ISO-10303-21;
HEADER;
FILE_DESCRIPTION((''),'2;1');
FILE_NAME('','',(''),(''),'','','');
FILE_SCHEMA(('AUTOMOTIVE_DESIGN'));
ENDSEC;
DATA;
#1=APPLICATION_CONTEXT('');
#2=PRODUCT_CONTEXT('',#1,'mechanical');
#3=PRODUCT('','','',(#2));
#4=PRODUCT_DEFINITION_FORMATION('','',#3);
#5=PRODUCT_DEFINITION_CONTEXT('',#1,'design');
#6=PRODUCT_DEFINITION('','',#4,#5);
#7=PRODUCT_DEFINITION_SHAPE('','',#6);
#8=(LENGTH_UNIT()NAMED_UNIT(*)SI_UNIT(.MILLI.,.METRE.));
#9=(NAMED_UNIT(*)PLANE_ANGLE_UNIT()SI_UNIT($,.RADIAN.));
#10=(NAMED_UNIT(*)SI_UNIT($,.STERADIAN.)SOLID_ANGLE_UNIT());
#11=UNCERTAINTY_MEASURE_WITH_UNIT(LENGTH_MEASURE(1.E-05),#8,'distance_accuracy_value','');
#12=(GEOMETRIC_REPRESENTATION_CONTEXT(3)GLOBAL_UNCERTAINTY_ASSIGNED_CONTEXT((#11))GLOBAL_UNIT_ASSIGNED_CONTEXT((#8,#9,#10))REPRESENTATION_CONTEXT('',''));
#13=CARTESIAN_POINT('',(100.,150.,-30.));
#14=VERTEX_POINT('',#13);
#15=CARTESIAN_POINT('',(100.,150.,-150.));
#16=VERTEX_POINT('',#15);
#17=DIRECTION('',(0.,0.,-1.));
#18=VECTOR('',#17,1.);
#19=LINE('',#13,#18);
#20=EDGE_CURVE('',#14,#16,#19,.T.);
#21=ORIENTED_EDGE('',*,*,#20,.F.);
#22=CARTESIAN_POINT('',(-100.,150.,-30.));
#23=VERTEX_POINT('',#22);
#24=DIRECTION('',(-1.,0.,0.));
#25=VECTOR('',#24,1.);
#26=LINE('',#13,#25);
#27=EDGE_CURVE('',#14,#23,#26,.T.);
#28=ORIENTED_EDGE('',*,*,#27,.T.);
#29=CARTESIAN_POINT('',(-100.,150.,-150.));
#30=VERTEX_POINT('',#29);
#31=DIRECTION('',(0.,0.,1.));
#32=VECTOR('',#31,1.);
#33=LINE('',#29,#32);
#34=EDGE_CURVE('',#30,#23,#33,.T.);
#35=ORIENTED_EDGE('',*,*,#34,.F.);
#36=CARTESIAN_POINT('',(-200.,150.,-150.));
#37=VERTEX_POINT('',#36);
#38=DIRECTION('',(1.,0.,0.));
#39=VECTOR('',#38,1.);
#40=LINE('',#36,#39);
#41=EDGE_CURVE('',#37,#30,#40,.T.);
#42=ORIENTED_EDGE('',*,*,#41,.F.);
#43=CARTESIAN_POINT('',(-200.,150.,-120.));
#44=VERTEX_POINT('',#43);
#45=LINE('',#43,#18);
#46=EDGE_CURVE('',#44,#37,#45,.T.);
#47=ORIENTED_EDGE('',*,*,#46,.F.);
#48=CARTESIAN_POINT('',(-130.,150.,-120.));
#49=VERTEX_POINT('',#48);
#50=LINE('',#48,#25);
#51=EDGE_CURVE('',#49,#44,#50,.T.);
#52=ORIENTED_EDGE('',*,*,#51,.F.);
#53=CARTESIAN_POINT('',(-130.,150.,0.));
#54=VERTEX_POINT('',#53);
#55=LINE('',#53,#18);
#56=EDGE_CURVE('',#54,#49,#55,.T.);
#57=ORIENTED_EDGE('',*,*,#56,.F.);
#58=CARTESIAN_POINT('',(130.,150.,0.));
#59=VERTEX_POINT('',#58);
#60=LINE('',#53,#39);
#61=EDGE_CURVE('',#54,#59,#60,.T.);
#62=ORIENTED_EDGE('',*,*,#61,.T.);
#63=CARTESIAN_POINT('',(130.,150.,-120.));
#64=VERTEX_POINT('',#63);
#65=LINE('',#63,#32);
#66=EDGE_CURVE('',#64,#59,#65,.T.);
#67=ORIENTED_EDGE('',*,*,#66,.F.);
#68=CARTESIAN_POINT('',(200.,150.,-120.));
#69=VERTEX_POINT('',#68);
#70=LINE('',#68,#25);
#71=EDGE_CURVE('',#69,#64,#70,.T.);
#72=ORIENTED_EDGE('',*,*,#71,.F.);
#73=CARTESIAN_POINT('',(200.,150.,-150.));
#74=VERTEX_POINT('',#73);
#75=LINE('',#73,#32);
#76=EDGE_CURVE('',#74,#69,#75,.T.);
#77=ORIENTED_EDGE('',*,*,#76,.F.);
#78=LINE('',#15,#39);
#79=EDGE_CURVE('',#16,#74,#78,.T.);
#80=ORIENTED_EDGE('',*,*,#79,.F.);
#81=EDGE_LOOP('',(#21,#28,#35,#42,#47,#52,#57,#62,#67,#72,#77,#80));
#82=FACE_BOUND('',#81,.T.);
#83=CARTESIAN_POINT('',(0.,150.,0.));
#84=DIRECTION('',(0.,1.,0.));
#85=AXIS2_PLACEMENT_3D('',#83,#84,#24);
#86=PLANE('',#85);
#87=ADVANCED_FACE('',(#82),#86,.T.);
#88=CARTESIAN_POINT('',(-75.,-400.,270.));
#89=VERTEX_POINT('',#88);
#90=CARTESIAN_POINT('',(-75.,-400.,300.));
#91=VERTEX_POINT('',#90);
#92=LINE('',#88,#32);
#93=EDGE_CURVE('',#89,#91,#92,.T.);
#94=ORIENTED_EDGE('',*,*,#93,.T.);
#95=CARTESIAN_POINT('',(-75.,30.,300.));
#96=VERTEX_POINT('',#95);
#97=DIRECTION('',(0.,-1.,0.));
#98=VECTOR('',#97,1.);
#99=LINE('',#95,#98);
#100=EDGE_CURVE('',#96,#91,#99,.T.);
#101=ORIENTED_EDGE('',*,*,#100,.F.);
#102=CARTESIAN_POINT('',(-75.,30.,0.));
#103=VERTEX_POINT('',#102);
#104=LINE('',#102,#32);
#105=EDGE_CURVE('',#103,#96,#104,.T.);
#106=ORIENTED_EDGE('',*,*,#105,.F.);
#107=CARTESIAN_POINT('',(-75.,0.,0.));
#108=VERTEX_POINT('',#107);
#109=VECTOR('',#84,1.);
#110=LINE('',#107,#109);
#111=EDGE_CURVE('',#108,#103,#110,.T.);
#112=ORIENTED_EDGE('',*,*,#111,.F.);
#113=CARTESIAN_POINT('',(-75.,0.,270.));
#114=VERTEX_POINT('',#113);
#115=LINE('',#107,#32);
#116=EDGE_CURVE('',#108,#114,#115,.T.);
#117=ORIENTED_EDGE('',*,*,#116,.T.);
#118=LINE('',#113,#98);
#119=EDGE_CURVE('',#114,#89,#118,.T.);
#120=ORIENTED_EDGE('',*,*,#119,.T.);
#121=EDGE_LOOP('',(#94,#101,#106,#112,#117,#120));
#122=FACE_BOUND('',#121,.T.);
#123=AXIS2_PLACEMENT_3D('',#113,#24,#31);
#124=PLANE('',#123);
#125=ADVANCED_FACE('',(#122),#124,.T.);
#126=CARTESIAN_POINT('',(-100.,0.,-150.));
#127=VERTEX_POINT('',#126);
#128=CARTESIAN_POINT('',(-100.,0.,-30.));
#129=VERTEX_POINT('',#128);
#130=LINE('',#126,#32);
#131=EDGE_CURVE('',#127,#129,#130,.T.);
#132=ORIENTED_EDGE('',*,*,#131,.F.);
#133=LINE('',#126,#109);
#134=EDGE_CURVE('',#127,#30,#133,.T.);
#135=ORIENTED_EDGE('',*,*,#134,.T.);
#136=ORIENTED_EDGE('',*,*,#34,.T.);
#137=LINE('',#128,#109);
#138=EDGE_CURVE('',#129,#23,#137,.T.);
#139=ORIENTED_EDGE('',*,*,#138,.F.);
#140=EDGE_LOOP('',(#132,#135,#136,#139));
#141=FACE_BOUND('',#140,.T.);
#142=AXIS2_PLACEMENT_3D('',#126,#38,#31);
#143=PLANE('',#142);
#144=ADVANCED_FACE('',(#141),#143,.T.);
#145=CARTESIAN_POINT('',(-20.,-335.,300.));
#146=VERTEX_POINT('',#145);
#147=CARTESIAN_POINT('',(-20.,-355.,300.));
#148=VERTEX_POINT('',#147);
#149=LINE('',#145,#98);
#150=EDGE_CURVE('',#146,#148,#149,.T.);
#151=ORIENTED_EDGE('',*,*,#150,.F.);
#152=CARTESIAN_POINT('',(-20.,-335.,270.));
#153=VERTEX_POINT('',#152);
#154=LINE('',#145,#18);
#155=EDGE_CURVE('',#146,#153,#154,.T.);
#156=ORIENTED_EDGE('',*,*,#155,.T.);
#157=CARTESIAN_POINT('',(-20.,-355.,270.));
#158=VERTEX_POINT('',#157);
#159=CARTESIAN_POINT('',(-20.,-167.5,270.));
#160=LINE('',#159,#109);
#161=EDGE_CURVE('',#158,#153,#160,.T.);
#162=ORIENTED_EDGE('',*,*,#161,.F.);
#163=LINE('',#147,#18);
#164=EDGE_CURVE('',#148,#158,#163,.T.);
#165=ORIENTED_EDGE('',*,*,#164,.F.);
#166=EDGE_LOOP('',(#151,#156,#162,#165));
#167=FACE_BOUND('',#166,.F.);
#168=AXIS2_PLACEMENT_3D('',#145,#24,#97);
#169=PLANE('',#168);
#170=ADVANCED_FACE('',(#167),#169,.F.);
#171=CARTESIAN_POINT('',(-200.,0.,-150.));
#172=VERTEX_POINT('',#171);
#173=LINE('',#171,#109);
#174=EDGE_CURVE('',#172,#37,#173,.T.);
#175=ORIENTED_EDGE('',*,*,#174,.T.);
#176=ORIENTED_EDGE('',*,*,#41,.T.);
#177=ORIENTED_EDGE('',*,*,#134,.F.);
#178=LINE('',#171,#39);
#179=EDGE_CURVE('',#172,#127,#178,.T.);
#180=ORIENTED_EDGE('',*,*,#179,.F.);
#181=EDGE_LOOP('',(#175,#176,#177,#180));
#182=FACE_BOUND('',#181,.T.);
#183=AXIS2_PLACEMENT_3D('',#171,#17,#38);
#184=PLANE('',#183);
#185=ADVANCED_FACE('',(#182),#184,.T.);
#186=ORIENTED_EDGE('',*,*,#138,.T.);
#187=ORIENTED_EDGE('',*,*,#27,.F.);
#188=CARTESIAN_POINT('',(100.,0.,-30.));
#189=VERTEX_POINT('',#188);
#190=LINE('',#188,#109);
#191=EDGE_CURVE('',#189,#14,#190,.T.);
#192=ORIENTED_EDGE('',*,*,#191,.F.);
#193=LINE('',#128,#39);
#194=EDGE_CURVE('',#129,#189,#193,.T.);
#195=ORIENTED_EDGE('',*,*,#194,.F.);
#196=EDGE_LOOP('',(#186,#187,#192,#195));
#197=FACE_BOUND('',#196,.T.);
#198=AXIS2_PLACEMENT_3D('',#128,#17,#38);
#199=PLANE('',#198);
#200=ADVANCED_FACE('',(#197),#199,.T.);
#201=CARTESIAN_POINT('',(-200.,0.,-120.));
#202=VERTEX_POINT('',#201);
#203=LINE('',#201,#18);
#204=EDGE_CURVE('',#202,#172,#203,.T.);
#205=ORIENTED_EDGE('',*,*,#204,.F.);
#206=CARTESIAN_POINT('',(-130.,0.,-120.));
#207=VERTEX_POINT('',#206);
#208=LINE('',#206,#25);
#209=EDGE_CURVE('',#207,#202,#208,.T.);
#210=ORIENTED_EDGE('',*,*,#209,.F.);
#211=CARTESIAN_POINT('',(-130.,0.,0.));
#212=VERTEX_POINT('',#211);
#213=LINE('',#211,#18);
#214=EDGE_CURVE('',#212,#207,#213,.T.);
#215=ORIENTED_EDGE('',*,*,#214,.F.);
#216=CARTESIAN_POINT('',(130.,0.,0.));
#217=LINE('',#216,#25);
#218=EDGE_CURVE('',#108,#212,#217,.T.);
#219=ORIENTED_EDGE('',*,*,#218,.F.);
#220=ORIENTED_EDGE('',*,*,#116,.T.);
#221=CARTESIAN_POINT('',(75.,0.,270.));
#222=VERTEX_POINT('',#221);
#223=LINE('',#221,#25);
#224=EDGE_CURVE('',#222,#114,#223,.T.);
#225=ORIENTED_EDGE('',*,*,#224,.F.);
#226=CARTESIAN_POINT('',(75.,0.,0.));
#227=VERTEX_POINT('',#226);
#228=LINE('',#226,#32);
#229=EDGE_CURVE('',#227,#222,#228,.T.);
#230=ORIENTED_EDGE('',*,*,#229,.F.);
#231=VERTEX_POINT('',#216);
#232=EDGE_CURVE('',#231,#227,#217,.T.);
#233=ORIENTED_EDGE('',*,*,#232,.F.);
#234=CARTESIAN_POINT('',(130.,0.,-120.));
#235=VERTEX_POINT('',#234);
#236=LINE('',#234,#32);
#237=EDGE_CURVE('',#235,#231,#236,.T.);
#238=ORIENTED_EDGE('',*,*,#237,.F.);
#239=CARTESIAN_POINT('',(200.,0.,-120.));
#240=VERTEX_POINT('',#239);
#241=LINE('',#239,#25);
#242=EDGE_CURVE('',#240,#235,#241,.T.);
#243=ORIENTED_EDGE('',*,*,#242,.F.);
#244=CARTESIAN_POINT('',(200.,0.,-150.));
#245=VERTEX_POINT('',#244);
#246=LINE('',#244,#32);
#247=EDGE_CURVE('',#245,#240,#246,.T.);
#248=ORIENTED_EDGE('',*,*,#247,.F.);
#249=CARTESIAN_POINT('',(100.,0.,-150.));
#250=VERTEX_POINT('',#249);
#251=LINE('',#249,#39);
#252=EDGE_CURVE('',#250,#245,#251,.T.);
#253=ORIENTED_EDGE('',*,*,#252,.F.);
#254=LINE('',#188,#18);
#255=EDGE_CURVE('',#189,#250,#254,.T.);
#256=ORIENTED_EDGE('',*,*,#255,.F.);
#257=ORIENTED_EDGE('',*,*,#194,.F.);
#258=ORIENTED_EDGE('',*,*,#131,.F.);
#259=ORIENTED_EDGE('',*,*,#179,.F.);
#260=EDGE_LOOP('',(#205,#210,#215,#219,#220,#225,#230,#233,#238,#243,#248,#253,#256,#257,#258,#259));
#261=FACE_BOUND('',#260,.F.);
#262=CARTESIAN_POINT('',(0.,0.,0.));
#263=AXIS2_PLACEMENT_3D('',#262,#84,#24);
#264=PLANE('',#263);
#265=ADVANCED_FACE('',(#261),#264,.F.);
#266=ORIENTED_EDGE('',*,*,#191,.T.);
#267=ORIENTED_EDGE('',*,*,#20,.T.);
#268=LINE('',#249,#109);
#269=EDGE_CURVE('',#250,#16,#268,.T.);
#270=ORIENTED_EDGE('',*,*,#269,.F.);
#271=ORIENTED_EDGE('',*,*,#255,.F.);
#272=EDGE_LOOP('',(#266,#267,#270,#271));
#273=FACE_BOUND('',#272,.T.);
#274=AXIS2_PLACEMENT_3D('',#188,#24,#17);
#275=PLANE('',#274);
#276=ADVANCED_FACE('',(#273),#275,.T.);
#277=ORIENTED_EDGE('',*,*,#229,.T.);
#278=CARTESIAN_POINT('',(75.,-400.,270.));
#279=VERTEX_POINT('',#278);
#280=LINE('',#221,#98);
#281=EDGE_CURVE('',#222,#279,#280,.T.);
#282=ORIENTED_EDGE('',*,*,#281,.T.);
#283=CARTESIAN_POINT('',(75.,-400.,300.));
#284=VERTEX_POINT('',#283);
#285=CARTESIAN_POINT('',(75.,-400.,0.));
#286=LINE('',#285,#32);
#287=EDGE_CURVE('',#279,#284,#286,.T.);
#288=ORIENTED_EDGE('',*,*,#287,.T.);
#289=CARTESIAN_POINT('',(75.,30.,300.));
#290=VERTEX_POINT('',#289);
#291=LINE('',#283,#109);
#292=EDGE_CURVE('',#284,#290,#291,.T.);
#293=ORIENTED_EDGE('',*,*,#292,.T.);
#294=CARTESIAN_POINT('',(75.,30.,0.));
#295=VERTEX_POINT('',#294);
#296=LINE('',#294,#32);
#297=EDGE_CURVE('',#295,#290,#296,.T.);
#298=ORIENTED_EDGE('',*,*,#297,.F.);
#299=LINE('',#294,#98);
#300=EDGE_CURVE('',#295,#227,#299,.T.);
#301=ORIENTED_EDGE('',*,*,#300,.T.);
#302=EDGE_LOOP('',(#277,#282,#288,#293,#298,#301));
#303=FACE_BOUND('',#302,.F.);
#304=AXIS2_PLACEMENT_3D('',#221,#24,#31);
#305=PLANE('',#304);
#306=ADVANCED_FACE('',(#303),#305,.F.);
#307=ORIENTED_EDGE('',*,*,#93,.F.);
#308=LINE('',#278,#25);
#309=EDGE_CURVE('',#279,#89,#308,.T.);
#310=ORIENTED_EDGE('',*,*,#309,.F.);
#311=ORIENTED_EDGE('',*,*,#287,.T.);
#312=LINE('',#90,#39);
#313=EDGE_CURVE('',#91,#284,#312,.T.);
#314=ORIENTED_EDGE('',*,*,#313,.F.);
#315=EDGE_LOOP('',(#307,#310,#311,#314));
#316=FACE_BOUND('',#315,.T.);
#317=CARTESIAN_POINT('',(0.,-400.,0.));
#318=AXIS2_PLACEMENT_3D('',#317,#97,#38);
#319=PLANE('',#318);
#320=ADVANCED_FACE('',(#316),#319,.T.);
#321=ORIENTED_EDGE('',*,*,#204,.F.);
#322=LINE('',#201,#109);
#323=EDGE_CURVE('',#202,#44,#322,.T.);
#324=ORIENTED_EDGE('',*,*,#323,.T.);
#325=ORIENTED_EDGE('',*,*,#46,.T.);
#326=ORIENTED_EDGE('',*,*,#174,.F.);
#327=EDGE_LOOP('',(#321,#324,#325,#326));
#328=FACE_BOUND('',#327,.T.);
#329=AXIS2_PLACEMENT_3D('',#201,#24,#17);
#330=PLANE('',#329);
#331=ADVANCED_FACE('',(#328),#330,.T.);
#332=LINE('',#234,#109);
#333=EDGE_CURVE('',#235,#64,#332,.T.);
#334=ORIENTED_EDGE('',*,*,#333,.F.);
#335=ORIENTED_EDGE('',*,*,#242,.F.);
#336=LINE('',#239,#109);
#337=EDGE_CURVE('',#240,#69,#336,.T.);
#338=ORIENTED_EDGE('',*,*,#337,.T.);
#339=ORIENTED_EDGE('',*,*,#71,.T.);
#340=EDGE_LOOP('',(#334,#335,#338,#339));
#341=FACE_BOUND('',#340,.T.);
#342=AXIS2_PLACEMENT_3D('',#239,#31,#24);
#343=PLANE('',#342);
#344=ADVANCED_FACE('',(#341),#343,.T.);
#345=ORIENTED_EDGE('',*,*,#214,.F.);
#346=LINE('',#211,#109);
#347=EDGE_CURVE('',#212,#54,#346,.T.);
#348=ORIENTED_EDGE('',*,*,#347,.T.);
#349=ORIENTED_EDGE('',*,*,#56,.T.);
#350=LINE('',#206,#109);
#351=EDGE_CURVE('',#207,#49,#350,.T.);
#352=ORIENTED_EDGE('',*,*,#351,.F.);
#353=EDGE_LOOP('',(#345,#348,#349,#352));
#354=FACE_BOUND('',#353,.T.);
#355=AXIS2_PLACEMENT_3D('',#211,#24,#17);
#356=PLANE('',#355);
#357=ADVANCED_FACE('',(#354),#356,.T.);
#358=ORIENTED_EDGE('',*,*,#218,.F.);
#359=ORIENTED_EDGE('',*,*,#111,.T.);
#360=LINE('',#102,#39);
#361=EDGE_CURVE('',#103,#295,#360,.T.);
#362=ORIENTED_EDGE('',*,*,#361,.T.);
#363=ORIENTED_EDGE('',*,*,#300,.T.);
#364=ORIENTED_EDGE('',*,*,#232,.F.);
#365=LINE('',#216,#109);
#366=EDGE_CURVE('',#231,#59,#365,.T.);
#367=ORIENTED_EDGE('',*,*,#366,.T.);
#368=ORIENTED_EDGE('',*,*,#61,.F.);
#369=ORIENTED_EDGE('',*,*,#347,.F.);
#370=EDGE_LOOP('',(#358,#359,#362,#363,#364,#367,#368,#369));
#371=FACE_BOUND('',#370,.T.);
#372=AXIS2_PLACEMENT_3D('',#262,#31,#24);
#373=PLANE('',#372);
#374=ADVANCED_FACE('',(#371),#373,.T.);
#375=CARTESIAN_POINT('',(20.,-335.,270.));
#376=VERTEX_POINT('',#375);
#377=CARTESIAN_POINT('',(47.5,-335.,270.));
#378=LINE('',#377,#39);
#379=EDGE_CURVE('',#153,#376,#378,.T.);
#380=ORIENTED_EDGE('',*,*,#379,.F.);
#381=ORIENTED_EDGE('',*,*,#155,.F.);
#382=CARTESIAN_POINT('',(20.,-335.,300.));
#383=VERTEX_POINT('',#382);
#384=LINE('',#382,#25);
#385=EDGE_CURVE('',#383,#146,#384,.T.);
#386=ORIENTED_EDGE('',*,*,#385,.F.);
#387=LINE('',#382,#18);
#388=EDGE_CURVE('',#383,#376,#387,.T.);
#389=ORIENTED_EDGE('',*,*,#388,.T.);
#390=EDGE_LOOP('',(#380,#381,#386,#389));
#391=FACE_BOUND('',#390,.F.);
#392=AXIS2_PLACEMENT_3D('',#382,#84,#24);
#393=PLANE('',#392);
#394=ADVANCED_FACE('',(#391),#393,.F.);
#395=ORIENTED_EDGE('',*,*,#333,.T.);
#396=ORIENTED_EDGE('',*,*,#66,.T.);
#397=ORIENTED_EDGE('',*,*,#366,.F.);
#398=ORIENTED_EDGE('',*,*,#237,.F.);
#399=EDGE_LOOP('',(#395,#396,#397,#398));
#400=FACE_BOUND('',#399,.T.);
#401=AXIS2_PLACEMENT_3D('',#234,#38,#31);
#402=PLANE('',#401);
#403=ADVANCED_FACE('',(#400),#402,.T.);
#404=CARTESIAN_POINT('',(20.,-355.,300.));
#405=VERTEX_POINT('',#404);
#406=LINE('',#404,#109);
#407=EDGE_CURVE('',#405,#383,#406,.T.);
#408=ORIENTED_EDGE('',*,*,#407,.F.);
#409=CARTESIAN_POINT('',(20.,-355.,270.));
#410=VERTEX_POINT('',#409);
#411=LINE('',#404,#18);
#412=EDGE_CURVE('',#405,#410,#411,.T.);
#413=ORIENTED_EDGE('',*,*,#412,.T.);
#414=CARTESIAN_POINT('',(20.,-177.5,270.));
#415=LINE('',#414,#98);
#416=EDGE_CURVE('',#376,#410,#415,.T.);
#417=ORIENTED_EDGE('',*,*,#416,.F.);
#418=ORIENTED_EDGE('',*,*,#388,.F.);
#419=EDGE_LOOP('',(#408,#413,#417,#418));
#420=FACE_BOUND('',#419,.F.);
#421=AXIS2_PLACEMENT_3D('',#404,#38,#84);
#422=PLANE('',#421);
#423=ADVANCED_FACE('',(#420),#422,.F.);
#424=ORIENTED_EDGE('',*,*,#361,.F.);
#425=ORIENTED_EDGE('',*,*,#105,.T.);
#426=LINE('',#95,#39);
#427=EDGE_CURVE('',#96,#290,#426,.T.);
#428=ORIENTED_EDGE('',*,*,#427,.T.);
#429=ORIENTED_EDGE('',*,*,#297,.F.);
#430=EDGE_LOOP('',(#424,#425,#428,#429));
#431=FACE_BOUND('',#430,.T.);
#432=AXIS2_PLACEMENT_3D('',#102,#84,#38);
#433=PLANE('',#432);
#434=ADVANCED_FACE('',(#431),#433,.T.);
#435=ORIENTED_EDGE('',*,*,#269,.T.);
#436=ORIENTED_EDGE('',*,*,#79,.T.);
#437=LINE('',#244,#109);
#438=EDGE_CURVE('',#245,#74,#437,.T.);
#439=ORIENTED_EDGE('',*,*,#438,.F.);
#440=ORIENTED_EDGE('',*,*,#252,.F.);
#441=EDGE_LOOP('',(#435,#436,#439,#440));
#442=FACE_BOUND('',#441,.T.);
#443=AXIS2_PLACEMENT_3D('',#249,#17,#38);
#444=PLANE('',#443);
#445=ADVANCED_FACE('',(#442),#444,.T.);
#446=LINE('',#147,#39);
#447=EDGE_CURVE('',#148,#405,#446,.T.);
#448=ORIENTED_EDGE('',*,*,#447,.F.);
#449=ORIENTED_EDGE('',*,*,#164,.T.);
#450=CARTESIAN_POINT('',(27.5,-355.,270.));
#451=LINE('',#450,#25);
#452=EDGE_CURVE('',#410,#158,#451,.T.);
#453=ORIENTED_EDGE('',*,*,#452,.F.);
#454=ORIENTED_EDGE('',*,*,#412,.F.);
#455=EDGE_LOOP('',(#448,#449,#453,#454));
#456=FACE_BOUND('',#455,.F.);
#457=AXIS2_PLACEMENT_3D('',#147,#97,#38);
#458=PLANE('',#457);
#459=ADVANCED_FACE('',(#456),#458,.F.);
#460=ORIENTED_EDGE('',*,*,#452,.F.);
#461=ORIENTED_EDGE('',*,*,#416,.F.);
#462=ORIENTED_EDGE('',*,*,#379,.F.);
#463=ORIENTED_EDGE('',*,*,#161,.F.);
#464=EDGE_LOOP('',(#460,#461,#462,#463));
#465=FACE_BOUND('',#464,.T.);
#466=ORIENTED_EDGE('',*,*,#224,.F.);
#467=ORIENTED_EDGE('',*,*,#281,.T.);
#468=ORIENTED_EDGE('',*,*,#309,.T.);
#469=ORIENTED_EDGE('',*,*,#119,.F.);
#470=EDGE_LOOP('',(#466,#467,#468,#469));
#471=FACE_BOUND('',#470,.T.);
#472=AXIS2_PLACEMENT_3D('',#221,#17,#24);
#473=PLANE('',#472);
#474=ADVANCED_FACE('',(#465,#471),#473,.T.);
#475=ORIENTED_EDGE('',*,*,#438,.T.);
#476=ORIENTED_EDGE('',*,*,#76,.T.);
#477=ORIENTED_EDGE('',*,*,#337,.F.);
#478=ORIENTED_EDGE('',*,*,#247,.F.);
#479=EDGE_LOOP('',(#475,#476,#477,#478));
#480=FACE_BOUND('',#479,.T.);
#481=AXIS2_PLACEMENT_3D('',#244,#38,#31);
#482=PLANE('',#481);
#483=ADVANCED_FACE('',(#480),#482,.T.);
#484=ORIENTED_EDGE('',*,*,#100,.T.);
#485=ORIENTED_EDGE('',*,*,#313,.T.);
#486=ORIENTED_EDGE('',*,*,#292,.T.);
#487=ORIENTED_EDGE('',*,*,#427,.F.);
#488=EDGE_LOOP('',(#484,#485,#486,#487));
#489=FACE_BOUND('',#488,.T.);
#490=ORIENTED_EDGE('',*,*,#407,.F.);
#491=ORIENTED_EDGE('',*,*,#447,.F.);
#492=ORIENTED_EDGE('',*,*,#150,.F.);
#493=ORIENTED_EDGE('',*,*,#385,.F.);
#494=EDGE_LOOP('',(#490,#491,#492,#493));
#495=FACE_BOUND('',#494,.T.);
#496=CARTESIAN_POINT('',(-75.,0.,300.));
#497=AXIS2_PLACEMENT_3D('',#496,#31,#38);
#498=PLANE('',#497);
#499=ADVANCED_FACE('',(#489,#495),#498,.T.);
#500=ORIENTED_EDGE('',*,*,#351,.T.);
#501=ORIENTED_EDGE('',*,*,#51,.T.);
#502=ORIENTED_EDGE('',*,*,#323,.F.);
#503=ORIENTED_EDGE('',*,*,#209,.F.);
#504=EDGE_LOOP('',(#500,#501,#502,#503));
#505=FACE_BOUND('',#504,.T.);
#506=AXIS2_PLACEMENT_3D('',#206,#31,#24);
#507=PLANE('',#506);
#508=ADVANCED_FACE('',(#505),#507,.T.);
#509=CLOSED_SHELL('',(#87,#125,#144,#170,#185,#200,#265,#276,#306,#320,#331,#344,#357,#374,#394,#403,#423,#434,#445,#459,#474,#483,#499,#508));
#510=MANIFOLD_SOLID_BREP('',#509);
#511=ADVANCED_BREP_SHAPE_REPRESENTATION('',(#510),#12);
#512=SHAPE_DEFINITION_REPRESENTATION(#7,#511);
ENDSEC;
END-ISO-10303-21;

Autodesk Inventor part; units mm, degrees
ref_plane "YZ Plane" through (0, 0, 0) normal (1, 0, 0) x (0, 1, 0)
ref_plane "XZ Plane" through (0, 0, 0) normal (0, 1, 0) x (-1, 0, 0)
ref_plane "XY Plane" through (0, 0, 0) normal (0, 0, 1) x (1, 0, 0)
sketch "Skizze1" plane through (0, 0, 0) normal (0, 1, 0) x (-1, 0, 0)
  line L0 (200, -150) -> (100, -150)
  line L1 (100, -150) -> (100, -30)
  line L2 (100, -30) -> (-100, -30)
  line L3 (-100, -30) -> (-100, -150)
  line L4 (-100, -150) -> (-200, -150)
  line L5 (-200, -150) -> (-200, -120)
  line L6 (-200, -120) -> (-130, -120)
  line L7 (-130, -120) -> (-130, 0)
  line L8 (-130, 0) -> (130, 0)
  line L9 (130, 0) -> (130, -120)
  line L10 (130, -120) -> (200, -120)
  line L11 (200, -120) -> (200, -150)
  line L12 (0, -180) -> (0, 30) projected
  point P0 (0, 0)
  dimension "d0" = 30
  dimension "d1" = 30
  dimension "d3" = 30
  dimension "d4" = 200
  dimension "d5" = 100
  dimension "d6" = 150
extrude "Extrusion1" add sketch "Skizze1" along normal blind 150
sketch "Skizze2" plane through (-130, 0, 0) normal (0, 0, 1) x (1, 0, 0)
  line L0 (230, 0) -> (30, 0) projected
  line L1 (55, 30) -> (205, 30)
  line L2 (205, 30) -> (205, 0)
  line L3 (205, 0) -> (55, 0)
  line L4 (55, 0) -> (55, 30)
  line L5 (260, 0) -> (260, 150) projected
  line L6 (0, 0) -> (0, 150) projected
  point P0 (130, 0)
  dimension "d9" = 260
  dimension "d10" = 30
  dimension "d11" = 150
  dimension "d12" = 55
extrude "Extrusion2" add sketch "Skizze2" along normal blind 300
sketch "Skizze3" plane through (0, 0, 0) normal (0, -1, 0) x (1, 0, 0)
  line L0 (-75, 300) -> (75, 300) projected
  line L1 (75, 0) -> (75, 300) projected
  line L2 (-75, 300) -> (75, 300)
  line L3 (75, 300) -> (75, 270)
  line L4 (75, 270) -> (-75, 270)
  line L5 (-75, 270) -> (-75, 300)
  point P0 (0, 0)
  dimension "d15" = 30
extrude "Extrusion3" add sketch "Skizze3" along normal blind 400
sketch "Skizze4" plane through (-130, 0, 300) normal (0, 0, 1) x (1, 0, 0)
  line L0 (110, -355) -> (150, -355)
  line L1 (150, -355) -> (150, -335)
  line L2 (150, -335) -> (110, -335)
  line L3 (110, -335) -> (110, -355)
  line L4 (110, -355) -> (150, -335) construction
  line L5 (150, -355) -> (110, -335) construction
  point P0 (130, 0)
  point P1 (130, -345)
  dimension "d18" = 40
  dimension "d19" = 20
  dimension "d20" = 345
  dimension "d21" = 0
extrude "Extrusion4" cut sketch "Skizze4" against normal through all
equation "\"d1\" = d0"
equation "\"d3\" = d0"
equation "\"d12\" = -0.5 * d11 + 0.5 * d9"
properties part number "Staender"
